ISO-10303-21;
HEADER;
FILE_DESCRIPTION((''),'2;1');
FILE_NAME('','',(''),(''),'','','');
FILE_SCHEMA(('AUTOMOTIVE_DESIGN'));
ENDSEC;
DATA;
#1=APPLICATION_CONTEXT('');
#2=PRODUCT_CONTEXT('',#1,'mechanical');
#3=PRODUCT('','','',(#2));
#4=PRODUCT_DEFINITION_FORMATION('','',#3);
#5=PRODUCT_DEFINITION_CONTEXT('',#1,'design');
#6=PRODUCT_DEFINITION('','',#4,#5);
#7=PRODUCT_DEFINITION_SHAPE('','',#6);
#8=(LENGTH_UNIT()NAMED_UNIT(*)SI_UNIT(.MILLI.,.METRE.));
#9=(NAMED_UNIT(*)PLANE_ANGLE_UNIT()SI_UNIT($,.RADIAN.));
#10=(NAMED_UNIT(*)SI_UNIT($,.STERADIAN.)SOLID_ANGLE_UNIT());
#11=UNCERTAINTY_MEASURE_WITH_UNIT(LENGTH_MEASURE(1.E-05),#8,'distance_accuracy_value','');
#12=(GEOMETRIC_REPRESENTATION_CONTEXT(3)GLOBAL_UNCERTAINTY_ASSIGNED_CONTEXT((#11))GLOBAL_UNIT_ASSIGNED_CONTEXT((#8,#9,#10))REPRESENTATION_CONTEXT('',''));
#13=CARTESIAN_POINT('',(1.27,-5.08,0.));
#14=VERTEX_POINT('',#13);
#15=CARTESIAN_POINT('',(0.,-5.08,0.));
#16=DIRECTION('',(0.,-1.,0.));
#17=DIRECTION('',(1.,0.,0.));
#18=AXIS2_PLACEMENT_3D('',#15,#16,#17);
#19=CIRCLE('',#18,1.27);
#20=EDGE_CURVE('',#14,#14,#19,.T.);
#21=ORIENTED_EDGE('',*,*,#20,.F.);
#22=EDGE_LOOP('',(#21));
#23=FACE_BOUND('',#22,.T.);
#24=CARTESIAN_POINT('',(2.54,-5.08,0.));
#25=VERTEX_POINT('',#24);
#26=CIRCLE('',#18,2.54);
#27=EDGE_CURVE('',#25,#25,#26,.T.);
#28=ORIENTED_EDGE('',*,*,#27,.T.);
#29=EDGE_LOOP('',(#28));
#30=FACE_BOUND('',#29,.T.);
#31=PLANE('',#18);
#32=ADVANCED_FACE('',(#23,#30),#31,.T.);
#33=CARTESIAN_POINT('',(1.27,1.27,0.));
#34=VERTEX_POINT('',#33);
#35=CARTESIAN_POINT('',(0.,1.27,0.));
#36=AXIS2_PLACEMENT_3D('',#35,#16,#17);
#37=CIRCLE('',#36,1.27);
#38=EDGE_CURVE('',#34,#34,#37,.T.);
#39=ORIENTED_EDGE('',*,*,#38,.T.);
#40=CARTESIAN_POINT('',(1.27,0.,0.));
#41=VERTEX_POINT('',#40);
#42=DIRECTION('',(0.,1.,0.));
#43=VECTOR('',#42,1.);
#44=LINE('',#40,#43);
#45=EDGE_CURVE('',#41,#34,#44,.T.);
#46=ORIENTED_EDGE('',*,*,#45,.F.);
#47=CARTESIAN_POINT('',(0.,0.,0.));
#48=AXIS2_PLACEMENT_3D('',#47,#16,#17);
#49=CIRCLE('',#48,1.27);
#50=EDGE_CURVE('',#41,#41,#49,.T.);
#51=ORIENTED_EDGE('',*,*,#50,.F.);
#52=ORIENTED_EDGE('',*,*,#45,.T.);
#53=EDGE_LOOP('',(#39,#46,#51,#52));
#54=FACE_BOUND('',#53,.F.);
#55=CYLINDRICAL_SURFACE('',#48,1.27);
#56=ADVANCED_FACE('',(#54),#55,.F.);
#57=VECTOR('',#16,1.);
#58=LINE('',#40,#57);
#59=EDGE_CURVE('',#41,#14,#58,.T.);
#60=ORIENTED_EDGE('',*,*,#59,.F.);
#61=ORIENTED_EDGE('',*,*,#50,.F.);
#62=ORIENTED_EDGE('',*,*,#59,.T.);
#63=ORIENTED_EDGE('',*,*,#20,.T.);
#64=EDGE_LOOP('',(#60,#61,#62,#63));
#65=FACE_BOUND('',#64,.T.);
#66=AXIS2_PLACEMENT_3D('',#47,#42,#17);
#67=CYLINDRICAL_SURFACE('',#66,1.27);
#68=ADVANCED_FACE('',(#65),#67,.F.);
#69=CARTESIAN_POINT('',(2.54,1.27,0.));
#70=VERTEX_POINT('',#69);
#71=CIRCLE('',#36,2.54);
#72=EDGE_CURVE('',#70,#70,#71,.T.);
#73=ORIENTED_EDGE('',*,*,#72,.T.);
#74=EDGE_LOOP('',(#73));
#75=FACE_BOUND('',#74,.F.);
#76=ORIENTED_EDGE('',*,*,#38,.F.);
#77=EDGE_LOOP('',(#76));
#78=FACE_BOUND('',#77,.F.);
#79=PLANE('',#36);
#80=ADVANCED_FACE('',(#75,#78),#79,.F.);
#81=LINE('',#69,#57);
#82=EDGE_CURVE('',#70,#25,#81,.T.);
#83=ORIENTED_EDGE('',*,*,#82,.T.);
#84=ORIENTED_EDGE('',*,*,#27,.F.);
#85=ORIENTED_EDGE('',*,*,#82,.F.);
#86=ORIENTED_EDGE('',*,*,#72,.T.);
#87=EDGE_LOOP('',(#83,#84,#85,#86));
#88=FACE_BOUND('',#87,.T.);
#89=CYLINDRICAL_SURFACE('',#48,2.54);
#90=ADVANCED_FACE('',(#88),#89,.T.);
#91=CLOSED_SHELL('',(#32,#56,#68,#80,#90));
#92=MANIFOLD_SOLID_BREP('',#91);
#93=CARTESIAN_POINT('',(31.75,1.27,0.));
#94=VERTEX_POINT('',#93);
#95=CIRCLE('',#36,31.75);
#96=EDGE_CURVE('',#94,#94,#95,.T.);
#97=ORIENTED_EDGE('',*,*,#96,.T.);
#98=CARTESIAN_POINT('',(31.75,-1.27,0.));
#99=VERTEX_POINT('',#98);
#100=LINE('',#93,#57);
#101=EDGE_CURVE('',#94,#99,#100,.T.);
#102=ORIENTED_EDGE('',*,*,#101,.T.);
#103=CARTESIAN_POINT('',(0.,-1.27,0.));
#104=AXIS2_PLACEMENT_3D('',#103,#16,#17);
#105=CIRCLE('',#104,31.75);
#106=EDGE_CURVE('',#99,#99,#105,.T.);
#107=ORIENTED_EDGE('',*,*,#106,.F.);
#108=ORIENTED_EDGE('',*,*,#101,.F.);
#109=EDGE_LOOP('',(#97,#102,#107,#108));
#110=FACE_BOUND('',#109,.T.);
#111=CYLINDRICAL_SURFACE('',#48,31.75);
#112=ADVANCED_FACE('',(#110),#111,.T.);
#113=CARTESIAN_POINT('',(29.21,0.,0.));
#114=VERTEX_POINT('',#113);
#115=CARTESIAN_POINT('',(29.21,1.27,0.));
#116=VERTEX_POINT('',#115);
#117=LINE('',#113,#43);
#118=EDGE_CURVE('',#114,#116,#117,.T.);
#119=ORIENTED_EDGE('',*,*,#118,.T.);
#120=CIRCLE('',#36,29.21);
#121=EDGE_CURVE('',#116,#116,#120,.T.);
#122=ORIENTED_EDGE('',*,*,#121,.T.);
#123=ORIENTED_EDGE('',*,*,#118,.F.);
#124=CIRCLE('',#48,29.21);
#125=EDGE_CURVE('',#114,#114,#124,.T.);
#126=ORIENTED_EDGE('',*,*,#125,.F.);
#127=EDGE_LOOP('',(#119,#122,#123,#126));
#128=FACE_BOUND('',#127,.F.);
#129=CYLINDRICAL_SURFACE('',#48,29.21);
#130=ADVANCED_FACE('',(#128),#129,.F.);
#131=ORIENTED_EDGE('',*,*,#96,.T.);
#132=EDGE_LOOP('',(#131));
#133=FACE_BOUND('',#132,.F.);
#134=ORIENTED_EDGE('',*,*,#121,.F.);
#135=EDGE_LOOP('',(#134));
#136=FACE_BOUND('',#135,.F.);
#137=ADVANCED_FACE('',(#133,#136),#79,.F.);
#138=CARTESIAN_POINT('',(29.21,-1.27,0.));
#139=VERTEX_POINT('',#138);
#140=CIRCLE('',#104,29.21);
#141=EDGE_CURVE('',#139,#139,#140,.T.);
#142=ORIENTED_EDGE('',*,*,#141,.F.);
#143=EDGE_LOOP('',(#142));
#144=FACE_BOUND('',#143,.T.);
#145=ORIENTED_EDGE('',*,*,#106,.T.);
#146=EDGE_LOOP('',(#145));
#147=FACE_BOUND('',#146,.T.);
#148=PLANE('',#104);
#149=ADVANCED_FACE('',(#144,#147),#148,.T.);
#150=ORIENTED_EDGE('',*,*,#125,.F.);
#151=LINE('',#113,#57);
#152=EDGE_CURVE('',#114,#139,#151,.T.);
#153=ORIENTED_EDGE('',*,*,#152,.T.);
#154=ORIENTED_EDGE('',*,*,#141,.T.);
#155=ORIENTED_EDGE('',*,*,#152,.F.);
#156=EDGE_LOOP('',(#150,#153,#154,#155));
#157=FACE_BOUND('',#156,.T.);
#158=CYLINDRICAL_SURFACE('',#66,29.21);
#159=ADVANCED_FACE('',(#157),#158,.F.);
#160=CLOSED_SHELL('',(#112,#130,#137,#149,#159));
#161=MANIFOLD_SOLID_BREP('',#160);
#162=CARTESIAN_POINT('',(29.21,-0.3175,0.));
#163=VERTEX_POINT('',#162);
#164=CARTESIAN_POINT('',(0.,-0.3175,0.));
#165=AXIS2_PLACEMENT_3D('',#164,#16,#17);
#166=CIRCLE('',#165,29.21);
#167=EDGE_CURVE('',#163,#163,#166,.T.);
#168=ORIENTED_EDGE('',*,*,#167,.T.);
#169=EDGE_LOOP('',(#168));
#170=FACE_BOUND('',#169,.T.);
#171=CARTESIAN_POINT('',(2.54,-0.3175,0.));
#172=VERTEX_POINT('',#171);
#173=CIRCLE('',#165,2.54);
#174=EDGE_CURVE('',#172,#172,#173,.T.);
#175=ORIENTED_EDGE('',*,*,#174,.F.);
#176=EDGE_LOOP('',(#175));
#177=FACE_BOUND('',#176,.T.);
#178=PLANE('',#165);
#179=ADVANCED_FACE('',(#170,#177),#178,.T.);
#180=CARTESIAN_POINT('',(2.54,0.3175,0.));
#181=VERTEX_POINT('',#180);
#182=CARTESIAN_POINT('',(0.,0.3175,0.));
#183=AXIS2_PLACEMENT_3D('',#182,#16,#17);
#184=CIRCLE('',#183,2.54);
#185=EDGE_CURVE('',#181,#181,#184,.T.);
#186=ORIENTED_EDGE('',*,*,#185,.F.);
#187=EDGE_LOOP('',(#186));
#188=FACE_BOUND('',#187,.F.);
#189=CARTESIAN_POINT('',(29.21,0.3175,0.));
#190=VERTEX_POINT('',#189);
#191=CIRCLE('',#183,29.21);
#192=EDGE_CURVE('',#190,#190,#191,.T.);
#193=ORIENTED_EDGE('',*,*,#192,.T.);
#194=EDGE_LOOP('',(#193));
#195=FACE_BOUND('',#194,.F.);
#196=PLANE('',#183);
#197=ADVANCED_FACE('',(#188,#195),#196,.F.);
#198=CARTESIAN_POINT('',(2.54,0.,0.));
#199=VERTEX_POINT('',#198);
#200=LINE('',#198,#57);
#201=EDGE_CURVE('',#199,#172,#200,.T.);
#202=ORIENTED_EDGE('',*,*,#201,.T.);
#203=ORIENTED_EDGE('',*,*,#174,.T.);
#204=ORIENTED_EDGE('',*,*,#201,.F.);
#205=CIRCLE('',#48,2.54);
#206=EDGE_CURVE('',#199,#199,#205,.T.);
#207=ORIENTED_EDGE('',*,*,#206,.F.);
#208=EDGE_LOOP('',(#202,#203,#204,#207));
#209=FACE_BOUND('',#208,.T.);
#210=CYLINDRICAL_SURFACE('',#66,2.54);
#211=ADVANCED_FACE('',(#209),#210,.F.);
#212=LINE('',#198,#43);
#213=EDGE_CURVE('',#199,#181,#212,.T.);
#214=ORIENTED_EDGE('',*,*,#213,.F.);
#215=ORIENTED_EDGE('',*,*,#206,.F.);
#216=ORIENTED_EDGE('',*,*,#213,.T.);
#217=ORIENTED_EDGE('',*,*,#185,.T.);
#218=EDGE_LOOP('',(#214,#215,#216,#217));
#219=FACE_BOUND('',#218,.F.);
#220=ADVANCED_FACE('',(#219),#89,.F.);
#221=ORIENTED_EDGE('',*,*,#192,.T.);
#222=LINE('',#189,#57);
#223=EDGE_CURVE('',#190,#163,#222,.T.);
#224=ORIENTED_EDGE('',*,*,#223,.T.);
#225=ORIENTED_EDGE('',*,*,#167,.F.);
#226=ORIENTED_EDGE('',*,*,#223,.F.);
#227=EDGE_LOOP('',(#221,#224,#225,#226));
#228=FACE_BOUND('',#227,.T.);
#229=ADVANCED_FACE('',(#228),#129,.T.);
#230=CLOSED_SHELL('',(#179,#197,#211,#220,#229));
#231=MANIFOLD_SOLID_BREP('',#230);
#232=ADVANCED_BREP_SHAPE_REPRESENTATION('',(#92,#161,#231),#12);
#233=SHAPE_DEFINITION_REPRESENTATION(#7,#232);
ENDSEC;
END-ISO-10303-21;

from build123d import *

# Parameters (mm, degrees)
F0_R          = 2.54
F0_R_2        = 1.27
F1_DEPTH      = 5.08
F1_DEPTH_BACK = 1.27
F0_R_3        = 31.75
F0_R_4        = 29.21
F2_DEPTH      = 1.27
F2_DEPTH_BACK = 1.27
F3_DEPTH      = 0.3175
F3_DEPTH_BACK = 0.3175


with BuildPart() as f1:
    # F0 (on Front) → F1 (new body, two sides)
    with BuildSketch(Plane.XZ) as f1_sk:
        Circle(F0_R)
        Circle(F0_R_2, mode=Mode.SUBTRACT)
    extrude(amount=F1_DEPTH)
    extrude(f1_sk.sketch, amount=-F1_DEPTH_BACK)


with BuildPart() as f2:
    # F0 (on Front) → F2 (new body, two sides)
    with BuildSketch(Plane.XZ) as f2_sk:
        Circle(F0_R_3)
        Circle(F0_R_4, mode=Mode.SUBTRACT)
    extrude(amount=F2_DEPTH)
    extrude(f2_sk.sketch, amount=-F2_DEPTH_BACK)


with BuildPart() as f3:
    # F0 (on Front) → F3 (new body, two sides)
    with BuildSketch(Plane.XZ) as f3_sk:
        Circle(F0_R_4)
        Circle(F0_R, mode=Mode.SUBTRACT)
    extrude(amount=F3_DEPTH)
    extrude(f3_sk.sketch, amount=-F3_DEPTH_BACK)


solid = Compound([f1.part, f2.part, f3.part])
